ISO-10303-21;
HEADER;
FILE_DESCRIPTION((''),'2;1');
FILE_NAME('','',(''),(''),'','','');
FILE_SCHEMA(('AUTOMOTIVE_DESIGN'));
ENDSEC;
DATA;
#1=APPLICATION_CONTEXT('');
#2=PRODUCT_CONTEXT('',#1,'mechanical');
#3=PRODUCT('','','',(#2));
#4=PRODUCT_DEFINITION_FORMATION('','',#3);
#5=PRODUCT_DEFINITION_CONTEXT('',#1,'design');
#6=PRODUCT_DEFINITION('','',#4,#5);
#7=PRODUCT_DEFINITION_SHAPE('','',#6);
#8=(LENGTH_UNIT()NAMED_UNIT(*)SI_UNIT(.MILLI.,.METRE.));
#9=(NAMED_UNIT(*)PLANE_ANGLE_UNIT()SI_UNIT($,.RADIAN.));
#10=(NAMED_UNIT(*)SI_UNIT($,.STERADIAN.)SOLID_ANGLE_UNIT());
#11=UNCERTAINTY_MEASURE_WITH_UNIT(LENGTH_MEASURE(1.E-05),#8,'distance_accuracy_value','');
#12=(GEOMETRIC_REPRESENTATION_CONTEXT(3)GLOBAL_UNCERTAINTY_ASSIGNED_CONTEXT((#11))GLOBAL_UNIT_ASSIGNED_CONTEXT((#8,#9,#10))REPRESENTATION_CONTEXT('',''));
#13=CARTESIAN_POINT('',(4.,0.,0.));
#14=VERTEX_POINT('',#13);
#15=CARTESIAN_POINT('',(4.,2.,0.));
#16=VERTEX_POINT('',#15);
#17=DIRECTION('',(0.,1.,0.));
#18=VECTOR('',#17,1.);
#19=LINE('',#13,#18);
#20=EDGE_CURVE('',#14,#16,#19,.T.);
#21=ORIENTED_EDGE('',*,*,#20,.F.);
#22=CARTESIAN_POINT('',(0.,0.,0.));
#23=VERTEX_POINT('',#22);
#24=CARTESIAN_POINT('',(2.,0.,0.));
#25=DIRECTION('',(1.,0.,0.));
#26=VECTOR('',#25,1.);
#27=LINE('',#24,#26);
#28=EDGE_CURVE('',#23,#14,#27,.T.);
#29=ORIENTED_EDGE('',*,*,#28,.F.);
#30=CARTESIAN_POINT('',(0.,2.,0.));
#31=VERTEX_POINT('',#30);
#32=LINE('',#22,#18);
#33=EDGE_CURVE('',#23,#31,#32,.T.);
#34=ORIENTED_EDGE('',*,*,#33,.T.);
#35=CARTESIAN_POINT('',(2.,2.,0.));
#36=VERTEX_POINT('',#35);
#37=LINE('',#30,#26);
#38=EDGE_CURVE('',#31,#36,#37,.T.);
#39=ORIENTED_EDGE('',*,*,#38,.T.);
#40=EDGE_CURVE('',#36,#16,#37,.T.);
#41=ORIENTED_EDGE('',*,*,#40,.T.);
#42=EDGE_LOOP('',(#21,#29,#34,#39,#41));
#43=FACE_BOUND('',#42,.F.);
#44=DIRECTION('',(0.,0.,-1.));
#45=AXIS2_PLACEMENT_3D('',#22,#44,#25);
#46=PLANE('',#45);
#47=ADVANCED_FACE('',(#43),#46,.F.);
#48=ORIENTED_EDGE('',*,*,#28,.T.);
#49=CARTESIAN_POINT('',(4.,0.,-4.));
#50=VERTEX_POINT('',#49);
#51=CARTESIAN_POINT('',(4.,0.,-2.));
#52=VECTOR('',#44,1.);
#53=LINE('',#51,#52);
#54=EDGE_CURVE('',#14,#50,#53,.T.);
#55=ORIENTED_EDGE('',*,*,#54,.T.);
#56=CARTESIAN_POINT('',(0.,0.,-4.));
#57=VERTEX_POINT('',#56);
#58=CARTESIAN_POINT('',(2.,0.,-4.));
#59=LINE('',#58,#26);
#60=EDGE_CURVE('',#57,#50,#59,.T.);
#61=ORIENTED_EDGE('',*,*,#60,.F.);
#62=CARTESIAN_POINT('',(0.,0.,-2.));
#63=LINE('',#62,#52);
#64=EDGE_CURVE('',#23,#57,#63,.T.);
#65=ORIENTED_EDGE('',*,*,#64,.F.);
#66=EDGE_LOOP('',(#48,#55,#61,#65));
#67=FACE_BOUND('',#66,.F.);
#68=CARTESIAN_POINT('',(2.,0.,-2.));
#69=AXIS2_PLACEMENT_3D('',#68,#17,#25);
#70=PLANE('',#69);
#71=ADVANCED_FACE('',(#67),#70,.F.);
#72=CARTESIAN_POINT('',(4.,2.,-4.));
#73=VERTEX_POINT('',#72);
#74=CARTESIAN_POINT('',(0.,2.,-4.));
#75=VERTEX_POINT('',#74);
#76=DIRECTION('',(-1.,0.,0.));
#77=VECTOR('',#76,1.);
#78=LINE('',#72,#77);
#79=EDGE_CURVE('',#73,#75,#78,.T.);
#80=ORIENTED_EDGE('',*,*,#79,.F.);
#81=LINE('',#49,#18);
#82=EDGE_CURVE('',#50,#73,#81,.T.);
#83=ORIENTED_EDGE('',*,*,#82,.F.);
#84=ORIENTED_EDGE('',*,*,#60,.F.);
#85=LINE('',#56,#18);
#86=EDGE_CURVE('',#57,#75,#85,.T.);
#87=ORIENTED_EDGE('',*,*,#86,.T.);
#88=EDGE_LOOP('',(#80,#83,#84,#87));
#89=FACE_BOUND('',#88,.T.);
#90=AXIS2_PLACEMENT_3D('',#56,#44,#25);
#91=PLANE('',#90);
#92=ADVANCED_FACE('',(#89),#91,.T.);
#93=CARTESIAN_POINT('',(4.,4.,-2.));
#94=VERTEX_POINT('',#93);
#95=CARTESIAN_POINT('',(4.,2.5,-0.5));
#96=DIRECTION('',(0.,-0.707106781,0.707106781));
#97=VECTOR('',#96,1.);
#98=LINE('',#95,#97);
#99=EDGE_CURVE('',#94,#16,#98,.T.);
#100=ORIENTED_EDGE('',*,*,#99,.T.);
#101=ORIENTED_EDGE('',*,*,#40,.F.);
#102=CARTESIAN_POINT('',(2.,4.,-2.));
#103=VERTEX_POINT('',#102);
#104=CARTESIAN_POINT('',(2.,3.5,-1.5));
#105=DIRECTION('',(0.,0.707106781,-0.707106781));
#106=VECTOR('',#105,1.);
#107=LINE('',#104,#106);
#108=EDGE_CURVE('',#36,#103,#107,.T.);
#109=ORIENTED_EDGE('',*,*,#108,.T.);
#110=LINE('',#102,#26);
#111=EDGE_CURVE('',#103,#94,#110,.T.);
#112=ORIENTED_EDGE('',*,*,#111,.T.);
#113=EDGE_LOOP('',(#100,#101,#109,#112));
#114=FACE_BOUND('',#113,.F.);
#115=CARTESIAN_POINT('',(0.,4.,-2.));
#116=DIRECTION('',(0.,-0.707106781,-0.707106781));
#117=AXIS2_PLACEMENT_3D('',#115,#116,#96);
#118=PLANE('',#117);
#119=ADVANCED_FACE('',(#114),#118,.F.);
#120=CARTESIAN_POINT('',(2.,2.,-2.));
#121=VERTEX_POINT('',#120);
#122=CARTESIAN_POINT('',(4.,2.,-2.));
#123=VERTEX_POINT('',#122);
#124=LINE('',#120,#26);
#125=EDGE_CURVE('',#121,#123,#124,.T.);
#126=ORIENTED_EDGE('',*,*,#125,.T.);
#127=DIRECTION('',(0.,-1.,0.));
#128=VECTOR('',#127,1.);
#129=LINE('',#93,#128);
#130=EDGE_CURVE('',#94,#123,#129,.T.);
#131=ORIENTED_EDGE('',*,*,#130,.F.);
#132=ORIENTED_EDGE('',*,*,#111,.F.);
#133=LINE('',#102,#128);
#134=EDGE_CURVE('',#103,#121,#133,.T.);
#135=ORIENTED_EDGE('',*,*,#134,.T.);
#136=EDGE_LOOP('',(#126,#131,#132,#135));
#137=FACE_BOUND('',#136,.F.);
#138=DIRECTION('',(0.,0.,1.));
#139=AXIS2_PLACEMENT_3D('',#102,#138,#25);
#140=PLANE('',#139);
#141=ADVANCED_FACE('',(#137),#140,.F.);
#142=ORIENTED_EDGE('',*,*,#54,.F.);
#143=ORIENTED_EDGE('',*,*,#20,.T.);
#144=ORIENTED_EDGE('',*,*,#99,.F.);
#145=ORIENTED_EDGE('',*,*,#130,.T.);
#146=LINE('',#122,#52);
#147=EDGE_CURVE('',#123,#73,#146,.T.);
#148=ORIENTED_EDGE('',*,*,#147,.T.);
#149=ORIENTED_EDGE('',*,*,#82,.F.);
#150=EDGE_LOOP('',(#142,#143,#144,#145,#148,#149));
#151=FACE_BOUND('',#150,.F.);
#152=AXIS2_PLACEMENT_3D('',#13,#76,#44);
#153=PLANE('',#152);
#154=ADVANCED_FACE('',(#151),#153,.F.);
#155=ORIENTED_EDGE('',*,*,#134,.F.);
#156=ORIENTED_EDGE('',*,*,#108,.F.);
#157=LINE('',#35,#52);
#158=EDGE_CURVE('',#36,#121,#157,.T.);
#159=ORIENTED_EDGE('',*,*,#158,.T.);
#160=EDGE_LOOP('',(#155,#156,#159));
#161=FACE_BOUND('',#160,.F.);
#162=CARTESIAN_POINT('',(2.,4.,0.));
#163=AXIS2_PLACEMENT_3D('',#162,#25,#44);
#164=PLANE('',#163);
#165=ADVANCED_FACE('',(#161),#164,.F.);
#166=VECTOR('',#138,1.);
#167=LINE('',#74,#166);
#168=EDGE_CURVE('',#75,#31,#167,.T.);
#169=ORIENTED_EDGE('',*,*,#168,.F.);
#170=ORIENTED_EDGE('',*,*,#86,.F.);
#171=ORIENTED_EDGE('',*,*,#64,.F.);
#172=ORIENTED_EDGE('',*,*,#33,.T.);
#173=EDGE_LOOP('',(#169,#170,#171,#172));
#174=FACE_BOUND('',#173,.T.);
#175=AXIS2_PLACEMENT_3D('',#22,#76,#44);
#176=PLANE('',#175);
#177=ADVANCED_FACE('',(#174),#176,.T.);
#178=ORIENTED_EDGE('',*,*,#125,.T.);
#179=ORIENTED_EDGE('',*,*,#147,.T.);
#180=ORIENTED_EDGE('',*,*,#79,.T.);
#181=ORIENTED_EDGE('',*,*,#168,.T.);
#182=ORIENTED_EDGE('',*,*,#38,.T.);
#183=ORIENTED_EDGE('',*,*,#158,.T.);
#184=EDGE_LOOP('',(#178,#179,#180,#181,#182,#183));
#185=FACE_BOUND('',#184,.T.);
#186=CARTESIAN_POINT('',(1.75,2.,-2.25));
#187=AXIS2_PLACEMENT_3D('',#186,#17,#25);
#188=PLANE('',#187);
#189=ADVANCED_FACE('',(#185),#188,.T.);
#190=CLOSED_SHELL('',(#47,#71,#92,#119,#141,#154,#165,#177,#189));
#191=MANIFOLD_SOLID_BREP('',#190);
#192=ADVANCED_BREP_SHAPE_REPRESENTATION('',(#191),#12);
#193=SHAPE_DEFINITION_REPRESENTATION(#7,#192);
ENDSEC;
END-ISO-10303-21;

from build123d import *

# Parameters (mm, degrees)
SKETCH1_W           = 4
SKETCH1_H           = 4
BOSS_EXTRUDE1_DEPTH = 4
CUT_EXTRUDE1_DEPTH  = 2
CUT_EXTRUDE2_DEPTH  = 10


with BuildPart() as part:
    # Sketch1 → Boss-Extrude1 (new body)
    with BuildSketch(Plane(origin=(0, 0, 0), x_dir=(1, 0, 0), z_dir=(0, 1, 0))):
        with Locations((2, 2)):
            Rectangle(SKETCH1_W, SKETCH1_H)
    extrude(amount=BOSS_EXTRUDE1_DEPTH)

    # Sketch2 → Cut-Extrude1 (cut)
    with BuildSketch(Plane(origin=(0, 4, 0), x_dir=(1, 0, 0), z_dir=(0, 1, 0))):
        Polygon((2, 0), (2, 2), (4, 2), (4, 4), (0, 4), (0, 0), align=None)
    extrude(amount=-CUT_EXTRUDE1_DEPTH, mode=Mode.SUBTRACT)

    # Sketch3 → Cut-Extrude2 (cut)
    with BuildSketch(Plane.ZY):
        Polygon((0, 2), (0, 4), (-2, 4), align=None)
    extrude(amount=-CUT_EXTRUDE2_DEPTH, mode=Mode.SUBTRACT)


solid = part.part
